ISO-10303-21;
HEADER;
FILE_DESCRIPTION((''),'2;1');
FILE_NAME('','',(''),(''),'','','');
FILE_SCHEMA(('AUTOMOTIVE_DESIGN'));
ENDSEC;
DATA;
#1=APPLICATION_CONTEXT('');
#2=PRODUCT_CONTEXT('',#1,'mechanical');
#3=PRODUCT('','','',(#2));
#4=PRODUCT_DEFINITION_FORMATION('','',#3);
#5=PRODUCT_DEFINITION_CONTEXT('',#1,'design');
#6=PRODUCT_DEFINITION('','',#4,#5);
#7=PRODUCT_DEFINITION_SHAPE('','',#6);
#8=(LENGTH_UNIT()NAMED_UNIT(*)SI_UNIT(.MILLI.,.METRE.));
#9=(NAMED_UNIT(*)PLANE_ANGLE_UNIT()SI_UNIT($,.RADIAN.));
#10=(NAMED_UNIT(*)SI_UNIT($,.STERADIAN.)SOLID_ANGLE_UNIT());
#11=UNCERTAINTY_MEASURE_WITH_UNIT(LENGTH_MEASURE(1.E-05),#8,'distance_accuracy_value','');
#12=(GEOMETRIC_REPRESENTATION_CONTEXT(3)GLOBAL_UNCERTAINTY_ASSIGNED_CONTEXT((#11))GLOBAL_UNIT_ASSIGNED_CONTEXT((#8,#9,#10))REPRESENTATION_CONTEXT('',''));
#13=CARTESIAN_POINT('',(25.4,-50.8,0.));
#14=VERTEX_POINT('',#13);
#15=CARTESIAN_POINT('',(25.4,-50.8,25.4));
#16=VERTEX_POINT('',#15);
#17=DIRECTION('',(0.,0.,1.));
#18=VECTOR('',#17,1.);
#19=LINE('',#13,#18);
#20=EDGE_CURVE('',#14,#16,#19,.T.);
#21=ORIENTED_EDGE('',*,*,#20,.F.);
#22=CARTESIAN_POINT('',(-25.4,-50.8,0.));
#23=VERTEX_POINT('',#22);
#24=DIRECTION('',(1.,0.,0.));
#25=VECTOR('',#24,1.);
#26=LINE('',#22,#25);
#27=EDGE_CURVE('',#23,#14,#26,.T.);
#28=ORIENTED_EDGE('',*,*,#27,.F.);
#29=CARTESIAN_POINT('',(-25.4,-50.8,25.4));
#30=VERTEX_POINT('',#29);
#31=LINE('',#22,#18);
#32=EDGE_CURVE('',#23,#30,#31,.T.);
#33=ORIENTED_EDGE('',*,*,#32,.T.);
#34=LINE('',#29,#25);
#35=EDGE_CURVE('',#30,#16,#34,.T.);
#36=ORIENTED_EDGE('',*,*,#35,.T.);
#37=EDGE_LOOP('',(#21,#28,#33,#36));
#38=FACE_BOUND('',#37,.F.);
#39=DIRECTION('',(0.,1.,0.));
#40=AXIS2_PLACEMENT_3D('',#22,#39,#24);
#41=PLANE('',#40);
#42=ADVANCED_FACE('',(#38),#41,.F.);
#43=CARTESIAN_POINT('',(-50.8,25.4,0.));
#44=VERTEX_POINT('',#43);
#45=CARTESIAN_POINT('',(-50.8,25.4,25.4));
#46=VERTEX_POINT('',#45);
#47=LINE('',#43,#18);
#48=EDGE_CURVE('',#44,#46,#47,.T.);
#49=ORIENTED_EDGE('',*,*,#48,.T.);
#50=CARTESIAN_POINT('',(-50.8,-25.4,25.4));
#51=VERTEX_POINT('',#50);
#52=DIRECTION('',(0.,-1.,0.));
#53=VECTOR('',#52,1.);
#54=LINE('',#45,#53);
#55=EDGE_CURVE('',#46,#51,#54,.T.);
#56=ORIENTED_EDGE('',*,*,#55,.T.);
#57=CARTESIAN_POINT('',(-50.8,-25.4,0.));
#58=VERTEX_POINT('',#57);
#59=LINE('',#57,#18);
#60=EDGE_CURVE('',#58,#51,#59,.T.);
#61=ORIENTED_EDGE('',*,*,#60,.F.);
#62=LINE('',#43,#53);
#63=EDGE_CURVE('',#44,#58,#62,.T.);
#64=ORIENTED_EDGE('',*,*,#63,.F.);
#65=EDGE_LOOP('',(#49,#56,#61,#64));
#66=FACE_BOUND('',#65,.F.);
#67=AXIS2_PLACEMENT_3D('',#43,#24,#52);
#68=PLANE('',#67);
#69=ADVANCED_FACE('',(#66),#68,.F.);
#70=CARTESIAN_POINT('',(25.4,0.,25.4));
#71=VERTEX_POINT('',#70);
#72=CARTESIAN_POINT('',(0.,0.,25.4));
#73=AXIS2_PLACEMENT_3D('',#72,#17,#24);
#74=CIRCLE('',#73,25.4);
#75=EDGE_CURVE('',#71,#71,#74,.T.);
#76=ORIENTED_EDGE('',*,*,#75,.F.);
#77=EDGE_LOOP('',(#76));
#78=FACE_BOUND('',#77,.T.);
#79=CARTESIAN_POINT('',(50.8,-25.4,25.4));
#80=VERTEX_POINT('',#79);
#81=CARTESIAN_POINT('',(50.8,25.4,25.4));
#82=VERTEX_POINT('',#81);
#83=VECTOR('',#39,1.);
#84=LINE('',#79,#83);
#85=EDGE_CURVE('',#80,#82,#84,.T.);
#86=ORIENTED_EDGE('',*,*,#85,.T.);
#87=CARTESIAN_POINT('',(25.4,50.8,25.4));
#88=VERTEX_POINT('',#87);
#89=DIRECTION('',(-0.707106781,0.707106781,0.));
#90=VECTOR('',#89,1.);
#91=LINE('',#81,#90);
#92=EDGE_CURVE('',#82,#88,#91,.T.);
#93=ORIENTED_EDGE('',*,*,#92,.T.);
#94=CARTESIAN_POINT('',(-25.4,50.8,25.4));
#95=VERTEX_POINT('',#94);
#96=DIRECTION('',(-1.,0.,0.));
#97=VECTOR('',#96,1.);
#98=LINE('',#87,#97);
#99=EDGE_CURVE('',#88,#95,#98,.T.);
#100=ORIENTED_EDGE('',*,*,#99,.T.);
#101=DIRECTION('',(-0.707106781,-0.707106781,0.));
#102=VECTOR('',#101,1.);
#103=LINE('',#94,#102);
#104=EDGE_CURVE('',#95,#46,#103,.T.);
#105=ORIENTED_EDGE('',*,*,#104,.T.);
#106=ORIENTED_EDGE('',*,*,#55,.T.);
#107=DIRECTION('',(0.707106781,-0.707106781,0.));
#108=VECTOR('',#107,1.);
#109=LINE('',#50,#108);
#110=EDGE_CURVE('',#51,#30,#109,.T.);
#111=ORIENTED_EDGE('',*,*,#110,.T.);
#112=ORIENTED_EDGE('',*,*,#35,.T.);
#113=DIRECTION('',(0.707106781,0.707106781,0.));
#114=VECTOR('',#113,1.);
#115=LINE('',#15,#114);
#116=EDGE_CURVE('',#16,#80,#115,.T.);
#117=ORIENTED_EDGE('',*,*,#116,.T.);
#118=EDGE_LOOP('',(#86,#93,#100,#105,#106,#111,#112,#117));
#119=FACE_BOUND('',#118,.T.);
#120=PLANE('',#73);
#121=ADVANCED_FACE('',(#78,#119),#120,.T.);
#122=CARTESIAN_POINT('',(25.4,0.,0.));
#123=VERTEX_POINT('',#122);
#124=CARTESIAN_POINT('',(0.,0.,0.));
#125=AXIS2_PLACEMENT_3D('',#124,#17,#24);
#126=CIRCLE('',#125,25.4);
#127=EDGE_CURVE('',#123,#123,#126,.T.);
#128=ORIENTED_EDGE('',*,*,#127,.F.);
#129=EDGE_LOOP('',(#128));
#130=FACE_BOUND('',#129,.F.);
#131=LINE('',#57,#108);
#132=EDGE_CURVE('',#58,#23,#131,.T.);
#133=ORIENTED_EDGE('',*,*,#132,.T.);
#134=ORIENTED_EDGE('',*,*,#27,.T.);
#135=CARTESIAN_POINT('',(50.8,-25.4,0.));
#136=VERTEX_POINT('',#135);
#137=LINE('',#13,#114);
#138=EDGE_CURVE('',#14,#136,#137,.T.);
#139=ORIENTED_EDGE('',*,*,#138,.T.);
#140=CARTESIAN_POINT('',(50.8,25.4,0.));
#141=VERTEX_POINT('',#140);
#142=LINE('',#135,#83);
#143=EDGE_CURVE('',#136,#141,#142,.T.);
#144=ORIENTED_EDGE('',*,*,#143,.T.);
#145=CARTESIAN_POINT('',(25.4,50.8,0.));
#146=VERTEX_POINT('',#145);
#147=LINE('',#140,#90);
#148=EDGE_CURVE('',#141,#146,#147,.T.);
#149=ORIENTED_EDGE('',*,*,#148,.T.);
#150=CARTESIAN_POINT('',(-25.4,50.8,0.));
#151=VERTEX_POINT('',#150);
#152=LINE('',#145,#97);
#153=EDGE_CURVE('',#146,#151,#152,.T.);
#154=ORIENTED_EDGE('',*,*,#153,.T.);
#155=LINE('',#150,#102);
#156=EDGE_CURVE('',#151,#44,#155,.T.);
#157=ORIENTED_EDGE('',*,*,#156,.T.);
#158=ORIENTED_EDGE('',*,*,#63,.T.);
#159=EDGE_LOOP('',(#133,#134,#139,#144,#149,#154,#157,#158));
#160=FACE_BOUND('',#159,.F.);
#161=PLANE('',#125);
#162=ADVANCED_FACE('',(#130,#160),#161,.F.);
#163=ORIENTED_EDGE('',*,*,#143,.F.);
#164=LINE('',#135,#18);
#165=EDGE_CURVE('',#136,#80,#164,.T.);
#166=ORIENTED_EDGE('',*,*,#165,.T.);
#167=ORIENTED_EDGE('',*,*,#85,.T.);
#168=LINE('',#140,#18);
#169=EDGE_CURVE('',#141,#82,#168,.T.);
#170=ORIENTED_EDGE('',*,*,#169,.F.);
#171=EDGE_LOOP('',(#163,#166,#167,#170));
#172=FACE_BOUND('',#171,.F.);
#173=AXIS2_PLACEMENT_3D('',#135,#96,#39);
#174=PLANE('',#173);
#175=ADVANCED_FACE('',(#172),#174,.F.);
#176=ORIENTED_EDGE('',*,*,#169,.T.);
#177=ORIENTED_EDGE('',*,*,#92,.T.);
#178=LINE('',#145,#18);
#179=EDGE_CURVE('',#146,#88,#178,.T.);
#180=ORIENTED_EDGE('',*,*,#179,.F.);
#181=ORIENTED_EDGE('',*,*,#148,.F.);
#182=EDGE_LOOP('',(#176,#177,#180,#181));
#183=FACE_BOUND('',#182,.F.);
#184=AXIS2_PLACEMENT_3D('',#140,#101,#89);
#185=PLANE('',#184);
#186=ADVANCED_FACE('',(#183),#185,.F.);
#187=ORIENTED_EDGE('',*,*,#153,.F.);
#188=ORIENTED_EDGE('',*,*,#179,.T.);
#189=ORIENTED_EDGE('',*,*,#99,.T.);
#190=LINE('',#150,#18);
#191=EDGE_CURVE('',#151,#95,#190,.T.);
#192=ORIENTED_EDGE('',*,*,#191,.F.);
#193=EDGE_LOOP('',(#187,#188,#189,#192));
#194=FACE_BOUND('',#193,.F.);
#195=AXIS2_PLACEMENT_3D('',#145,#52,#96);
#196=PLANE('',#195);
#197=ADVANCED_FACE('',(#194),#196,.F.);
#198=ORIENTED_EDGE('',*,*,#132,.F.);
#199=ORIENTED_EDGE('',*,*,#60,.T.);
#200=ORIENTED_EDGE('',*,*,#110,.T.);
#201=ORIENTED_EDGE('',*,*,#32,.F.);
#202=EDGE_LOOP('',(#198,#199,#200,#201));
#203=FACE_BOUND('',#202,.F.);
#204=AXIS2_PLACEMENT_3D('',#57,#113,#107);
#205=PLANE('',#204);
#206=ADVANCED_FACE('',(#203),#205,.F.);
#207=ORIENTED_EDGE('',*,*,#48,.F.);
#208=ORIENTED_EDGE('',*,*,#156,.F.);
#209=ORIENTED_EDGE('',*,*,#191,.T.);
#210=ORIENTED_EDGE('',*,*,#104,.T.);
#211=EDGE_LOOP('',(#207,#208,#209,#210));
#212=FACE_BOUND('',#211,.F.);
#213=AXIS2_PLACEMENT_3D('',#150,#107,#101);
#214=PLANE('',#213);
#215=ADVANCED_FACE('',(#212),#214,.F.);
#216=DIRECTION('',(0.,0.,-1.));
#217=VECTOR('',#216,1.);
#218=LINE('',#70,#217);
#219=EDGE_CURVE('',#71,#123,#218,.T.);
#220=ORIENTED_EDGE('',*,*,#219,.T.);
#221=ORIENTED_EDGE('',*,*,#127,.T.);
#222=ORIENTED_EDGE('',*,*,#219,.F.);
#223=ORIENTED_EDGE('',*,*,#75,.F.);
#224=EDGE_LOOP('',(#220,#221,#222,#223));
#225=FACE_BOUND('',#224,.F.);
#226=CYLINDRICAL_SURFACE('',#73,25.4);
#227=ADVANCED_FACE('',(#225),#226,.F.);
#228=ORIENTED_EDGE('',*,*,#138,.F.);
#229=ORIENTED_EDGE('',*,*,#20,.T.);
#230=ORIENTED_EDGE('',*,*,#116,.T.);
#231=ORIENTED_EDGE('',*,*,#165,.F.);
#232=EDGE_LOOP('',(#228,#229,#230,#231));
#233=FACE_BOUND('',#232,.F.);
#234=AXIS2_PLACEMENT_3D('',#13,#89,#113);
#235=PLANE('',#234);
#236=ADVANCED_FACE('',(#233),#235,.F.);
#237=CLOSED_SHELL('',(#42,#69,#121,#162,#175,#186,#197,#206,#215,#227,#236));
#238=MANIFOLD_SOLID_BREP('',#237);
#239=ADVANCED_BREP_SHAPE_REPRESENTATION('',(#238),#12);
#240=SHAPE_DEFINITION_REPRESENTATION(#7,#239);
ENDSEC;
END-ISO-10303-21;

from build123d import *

# Parameters (mm, degrees)
F1_DEPTH = 25.4
F2_R     = 25.4
F3_DEPTH = 25.4


with BuildPart() as f1:
    # F0 (on Top) → F1 (new body)
    with BuildSketch(Plane.XY):
        Polygon((-50.8, 25.4), (-50.8, -25.4), (-25.4, -50.8), (25.4, -50.8), (50.8, -25.4), (50.8, 25.4), (25.4, 50.8), (-25.4, 50.8), align=None)
    extrude(amount=F1_DEPTH)

    # F2 (on face) → F3 (cut)
    with BuildSketch(Plane.XY.offset(25.4)):
        Circle(F2_R)
    extrude(amount=-F3_DEPTH, mode=Mode.SUBTRACT)


solid = f1.part
